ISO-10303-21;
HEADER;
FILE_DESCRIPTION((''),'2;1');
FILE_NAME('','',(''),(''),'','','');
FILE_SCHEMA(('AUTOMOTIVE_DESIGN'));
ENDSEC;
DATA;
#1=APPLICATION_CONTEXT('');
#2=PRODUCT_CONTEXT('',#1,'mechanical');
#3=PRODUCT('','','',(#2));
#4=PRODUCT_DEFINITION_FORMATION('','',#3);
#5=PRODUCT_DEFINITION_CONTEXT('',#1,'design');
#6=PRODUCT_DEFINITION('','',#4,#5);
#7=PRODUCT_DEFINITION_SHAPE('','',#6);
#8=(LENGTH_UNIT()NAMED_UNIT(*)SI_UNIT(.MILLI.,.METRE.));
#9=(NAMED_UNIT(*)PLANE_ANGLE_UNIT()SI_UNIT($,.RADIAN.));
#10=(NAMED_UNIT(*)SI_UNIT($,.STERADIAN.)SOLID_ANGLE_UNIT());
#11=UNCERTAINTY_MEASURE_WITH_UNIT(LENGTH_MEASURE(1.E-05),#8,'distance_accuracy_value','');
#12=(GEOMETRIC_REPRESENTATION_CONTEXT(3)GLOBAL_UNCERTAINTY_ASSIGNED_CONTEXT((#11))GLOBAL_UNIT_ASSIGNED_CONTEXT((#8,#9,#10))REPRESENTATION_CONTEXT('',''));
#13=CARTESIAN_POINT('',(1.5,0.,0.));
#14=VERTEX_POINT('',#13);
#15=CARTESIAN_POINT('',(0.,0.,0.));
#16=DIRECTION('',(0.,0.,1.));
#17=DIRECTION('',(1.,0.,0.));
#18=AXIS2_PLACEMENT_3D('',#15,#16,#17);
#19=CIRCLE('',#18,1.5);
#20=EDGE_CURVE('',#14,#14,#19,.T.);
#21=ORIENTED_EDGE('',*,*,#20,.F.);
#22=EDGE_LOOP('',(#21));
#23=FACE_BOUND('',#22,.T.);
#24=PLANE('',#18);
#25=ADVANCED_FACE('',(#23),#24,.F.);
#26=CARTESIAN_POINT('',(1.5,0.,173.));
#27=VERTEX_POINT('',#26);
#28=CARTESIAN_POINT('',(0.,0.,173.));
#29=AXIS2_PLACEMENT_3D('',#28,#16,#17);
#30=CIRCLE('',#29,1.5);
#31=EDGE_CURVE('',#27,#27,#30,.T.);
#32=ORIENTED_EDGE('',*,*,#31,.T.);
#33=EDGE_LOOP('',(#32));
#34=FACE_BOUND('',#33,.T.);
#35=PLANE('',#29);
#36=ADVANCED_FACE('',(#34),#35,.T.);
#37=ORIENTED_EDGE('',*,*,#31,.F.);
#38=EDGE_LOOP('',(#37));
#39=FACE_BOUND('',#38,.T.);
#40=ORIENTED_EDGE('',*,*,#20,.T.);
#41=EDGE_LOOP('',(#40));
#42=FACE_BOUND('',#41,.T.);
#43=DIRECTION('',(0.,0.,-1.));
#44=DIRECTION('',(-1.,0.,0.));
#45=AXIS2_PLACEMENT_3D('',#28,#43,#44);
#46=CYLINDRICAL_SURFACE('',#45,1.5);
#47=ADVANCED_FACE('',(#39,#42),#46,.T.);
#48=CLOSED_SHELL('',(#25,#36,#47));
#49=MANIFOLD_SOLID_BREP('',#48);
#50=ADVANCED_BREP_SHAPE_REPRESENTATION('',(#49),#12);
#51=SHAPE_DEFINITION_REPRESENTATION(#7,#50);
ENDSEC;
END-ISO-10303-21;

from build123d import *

# Parameters (mm, degrees)
SCHIZZO1_R                   = 1.5
ESTRUSIONE_ESTRUSIONE1_DEPTH = 173


with BuildPart() as part:
    # Schizzo1 → Estrusione-Estrusione1 (new body)
    with BuildSketch(Plane.XY):
        Circle(SCHIZZO1_R)
    extrude(amount=ESTRUSIONE_ESTRUSIONE1_DEPTH)


solid = part.part
